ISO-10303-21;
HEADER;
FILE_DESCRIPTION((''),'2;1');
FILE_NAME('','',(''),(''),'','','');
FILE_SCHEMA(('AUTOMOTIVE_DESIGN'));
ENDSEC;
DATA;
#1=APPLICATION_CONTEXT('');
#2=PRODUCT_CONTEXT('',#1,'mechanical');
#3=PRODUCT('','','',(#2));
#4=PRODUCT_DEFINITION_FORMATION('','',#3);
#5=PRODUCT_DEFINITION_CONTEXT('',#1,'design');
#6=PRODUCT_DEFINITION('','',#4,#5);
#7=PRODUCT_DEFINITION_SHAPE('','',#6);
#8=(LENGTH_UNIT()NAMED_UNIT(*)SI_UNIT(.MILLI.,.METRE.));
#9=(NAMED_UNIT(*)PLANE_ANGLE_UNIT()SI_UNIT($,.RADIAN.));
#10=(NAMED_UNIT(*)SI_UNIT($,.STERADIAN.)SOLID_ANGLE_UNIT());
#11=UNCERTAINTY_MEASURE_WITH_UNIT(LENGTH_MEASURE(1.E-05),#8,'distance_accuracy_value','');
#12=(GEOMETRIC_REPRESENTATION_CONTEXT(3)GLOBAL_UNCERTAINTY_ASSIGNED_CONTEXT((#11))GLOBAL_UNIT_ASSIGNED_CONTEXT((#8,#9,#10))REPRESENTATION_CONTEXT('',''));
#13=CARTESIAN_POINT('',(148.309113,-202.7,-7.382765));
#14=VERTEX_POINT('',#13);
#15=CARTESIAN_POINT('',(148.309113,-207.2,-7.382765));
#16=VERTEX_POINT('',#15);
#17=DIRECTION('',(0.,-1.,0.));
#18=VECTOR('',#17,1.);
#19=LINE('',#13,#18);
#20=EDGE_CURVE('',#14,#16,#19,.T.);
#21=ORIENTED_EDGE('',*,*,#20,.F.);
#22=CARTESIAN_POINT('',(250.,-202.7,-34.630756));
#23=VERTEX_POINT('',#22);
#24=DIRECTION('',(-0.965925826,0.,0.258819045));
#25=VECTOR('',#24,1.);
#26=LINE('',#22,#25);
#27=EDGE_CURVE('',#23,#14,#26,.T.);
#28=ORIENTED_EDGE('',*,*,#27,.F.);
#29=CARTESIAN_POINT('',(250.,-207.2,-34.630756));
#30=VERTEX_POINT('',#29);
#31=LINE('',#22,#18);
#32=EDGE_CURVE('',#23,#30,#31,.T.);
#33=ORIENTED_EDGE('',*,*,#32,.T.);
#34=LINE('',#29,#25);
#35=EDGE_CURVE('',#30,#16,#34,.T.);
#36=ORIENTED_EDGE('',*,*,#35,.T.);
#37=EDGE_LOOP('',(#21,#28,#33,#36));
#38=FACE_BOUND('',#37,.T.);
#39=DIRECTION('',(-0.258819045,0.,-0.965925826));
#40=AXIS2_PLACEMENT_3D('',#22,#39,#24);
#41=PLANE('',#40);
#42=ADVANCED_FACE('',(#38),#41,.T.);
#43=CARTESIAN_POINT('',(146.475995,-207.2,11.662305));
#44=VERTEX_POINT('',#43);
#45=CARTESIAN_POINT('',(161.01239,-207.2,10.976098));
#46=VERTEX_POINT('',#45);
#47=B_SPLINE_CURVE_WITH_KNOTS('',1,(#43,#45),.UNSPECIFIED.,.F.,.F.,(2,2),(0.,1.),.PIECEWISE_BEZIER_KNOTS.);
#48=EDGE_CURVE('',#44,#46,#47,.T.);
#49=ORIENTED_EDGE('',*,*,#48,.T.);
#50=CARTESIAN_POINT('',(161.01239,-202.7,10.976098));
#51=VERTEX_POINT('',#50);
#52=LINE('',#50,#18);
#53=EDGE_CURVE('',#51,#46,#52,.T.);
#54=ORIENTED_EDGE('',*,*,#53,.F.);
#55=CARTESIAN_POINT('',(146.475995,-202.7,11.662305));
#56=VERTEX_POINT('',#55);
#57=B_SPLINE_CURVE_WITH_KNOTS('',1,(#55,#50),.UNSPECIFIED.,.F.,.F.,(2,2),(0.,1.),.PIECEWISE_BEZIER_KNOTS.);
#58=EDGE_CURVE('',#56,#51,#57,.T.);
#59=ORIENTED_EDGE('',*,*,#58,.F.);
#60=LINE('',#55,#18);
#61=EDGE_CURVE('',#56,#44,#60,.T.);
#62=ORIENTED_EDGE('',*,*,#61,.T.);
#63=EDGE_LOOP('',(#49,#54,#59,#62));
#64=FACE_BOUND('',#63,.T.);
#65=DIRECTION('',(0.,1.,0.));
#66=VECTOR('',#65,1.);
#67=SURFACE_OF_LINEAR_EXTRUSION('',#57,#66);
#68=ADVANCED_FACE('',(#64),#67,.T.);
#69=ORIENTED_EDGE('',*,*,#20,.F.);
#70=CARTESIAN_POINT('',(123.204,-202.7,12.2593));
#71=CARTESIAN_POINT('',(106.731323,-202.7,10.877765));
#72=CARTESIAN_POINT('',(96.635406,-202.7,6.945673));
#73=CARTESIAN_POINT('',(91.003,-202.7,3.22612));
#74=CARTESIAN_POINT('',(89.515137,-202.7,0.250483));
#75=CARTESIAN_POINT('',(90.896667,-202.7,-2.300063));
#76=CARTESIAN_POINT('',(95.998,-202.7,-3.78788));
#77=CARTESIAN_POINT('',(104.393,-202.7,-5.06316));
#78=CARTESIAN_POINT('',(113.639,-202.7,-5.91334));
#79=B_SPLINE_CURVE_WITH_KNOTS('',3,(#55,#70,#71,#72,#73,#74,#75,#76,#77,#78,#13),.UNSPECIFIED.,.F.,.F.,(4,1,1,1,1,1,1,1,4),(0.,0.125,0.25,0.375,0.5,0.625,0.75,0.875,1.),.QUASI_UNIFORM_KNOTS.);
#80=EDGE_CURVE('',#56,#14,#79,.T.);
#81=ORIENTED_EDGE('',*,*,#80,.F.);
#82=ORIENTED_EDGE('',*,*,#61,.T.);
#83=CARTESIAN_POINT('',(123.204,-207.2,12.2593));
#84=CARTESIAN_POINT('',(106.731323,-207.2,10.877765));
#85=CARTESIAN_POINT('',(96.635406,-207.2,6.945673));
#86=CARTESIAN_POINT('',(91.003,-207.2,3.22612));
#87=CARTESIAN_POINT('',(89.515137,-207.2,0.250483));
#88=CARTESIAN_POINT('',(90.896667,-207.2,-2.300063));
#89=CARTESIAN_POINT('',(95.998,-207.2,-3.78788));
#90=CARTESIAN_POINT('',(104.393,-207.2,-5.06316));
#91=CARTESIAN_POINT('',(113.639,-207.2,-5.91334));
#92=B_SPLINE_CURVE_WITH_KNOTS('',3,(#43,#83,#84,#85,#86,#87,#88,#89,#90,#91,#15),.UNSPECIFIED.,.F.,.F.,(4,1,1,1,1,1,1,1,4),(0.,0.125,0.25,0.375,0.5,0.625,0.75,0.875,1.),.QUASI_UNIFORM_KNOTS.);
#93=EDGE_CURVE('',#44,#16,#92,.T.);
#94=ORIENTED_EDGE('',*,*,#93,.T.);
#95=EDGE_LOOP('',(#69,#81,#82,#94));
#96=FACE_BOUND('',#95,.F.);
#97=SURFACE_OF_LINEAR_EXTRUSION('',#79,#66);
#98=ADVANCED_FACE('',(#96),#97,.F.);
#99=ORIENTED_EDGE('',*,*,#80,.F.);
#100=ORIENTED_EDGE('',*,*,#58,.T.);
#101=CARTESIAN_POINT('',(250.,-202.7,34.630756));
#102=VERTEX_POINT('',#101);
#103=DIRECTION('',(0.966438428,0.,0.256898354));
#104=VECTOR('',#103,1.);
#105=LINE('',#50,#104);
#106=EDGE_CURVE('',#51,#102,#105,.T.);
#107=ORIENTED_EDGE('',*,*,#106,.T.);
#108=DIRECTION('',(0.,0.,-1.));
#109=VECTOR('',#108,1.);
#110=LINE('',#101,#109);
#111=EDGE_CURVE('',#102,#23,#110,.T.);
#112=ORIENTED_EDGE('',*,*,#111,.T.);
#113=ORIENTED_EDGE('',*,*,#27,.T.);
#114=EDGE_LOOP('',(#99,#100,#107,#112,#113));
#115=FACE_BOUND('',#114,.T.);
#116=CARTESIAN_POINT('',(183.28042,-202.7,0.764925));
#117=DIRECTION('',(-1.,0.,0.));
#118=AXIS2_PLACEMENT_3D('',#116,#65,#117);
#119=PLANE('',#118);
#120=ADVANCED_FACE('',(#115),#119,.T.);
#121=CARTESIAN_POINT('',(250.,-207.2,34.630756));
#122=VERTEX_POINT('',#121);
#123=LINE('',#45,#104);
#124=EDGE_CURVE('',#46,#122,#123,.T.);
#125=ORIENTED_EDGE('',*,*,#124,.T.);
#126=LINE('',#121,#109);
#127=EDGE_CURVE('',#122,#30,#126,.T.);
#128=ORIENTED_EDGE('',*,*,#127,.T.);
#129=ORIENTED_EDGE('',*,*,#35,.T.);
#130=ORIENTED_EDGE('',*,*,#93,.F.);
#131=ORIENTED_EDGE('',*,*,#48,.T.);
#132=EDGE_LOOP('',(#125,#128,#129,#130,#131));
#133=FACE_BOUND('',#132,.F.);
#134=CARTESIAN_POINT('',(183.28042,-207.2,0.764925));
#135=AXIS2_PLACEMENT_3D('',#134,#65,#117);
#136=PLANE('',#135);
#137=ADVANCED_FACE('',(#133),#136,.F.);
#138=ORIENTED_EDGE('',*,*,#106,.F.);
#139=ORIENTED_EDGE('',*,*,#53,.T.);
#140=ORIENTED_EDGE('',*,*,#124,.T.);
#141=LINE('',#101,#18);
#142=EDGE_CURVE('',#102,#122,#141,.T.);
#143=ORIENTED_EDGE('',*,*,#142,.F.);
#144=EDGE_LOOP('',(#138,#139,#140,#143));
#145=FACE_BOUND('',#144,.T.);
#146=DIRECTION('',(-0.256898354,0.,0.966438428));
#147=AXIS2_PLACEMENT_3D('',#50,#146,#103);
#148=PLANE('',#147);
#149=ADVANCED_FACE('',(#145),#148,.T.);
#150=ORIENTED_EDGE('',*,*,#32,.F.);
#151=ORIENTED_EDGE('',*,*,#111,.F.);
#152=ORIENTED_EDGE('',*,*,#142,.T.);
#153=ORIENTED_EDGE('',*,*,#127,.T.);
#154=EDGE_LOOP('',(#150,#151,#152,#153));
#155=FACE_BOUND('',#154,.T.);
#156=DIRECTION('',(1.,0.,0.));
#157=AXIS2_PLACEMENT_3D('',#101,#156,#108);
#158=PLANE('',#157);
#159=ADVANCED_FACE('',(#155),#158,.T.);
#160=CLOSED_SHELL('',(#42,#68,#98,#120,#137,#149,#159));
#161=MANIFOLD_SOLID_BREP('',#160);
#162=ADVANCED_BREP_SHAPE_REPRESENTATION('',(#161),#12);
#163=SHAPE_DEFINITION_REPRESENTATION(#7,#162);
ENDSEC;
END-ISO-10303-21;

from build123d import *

# Parameters (mm, degrees)
PAD_DEPTH = 4.5


with BuildPart() as part:
    # Sketch → Pad (new body)
    with BuildSketch(Plane.XZ):
        with BuildLine():
            Line((0, 34.630756), (0, -34.630756))
            Line((0, -34.630756), (-101.690887, -7.382765))
            add(Edge.make_bspline(
                [(-103.524005, 11.662305), (-126.796, 12.2593), (-143.268677, 10.877765), (-153.364594, 6.945673), (-158.997, 3.22612), (-160.484863, 0.250483), (-159.103333, -2.300063), (-154.002, -3.78788), (-145.607, -5.06316), (-136.361, -5.91334), (-101.690887, -7.382765)],
                knots=[0, 0, 0, 0, 0.125, 0.25, 0.375, 0.5, 0.625, 0.75, 0.875, 1, 1, 1, 1], degree=3))
            add(Edge.make_bspline(
                [(-103.524005, 11.662305), (-88.98761, 10.976098)],
                knots=[0, 0, 1, 1], degree=1))
            Line((-88.98761, 10.976098), (0, 34.630756))
        make_face()
    extrude(amount=PAD_DEPTH)


with BuildPart() as part_1:
    # Body placement: moved
    add(part.part.moved(Location((250, 250, 0))))


with BuildPart() as part_2:
    # Body001 placement: moved
    add(part_1.part.moved(Location((0, -452.7, 0))))


solid = part_2.part
